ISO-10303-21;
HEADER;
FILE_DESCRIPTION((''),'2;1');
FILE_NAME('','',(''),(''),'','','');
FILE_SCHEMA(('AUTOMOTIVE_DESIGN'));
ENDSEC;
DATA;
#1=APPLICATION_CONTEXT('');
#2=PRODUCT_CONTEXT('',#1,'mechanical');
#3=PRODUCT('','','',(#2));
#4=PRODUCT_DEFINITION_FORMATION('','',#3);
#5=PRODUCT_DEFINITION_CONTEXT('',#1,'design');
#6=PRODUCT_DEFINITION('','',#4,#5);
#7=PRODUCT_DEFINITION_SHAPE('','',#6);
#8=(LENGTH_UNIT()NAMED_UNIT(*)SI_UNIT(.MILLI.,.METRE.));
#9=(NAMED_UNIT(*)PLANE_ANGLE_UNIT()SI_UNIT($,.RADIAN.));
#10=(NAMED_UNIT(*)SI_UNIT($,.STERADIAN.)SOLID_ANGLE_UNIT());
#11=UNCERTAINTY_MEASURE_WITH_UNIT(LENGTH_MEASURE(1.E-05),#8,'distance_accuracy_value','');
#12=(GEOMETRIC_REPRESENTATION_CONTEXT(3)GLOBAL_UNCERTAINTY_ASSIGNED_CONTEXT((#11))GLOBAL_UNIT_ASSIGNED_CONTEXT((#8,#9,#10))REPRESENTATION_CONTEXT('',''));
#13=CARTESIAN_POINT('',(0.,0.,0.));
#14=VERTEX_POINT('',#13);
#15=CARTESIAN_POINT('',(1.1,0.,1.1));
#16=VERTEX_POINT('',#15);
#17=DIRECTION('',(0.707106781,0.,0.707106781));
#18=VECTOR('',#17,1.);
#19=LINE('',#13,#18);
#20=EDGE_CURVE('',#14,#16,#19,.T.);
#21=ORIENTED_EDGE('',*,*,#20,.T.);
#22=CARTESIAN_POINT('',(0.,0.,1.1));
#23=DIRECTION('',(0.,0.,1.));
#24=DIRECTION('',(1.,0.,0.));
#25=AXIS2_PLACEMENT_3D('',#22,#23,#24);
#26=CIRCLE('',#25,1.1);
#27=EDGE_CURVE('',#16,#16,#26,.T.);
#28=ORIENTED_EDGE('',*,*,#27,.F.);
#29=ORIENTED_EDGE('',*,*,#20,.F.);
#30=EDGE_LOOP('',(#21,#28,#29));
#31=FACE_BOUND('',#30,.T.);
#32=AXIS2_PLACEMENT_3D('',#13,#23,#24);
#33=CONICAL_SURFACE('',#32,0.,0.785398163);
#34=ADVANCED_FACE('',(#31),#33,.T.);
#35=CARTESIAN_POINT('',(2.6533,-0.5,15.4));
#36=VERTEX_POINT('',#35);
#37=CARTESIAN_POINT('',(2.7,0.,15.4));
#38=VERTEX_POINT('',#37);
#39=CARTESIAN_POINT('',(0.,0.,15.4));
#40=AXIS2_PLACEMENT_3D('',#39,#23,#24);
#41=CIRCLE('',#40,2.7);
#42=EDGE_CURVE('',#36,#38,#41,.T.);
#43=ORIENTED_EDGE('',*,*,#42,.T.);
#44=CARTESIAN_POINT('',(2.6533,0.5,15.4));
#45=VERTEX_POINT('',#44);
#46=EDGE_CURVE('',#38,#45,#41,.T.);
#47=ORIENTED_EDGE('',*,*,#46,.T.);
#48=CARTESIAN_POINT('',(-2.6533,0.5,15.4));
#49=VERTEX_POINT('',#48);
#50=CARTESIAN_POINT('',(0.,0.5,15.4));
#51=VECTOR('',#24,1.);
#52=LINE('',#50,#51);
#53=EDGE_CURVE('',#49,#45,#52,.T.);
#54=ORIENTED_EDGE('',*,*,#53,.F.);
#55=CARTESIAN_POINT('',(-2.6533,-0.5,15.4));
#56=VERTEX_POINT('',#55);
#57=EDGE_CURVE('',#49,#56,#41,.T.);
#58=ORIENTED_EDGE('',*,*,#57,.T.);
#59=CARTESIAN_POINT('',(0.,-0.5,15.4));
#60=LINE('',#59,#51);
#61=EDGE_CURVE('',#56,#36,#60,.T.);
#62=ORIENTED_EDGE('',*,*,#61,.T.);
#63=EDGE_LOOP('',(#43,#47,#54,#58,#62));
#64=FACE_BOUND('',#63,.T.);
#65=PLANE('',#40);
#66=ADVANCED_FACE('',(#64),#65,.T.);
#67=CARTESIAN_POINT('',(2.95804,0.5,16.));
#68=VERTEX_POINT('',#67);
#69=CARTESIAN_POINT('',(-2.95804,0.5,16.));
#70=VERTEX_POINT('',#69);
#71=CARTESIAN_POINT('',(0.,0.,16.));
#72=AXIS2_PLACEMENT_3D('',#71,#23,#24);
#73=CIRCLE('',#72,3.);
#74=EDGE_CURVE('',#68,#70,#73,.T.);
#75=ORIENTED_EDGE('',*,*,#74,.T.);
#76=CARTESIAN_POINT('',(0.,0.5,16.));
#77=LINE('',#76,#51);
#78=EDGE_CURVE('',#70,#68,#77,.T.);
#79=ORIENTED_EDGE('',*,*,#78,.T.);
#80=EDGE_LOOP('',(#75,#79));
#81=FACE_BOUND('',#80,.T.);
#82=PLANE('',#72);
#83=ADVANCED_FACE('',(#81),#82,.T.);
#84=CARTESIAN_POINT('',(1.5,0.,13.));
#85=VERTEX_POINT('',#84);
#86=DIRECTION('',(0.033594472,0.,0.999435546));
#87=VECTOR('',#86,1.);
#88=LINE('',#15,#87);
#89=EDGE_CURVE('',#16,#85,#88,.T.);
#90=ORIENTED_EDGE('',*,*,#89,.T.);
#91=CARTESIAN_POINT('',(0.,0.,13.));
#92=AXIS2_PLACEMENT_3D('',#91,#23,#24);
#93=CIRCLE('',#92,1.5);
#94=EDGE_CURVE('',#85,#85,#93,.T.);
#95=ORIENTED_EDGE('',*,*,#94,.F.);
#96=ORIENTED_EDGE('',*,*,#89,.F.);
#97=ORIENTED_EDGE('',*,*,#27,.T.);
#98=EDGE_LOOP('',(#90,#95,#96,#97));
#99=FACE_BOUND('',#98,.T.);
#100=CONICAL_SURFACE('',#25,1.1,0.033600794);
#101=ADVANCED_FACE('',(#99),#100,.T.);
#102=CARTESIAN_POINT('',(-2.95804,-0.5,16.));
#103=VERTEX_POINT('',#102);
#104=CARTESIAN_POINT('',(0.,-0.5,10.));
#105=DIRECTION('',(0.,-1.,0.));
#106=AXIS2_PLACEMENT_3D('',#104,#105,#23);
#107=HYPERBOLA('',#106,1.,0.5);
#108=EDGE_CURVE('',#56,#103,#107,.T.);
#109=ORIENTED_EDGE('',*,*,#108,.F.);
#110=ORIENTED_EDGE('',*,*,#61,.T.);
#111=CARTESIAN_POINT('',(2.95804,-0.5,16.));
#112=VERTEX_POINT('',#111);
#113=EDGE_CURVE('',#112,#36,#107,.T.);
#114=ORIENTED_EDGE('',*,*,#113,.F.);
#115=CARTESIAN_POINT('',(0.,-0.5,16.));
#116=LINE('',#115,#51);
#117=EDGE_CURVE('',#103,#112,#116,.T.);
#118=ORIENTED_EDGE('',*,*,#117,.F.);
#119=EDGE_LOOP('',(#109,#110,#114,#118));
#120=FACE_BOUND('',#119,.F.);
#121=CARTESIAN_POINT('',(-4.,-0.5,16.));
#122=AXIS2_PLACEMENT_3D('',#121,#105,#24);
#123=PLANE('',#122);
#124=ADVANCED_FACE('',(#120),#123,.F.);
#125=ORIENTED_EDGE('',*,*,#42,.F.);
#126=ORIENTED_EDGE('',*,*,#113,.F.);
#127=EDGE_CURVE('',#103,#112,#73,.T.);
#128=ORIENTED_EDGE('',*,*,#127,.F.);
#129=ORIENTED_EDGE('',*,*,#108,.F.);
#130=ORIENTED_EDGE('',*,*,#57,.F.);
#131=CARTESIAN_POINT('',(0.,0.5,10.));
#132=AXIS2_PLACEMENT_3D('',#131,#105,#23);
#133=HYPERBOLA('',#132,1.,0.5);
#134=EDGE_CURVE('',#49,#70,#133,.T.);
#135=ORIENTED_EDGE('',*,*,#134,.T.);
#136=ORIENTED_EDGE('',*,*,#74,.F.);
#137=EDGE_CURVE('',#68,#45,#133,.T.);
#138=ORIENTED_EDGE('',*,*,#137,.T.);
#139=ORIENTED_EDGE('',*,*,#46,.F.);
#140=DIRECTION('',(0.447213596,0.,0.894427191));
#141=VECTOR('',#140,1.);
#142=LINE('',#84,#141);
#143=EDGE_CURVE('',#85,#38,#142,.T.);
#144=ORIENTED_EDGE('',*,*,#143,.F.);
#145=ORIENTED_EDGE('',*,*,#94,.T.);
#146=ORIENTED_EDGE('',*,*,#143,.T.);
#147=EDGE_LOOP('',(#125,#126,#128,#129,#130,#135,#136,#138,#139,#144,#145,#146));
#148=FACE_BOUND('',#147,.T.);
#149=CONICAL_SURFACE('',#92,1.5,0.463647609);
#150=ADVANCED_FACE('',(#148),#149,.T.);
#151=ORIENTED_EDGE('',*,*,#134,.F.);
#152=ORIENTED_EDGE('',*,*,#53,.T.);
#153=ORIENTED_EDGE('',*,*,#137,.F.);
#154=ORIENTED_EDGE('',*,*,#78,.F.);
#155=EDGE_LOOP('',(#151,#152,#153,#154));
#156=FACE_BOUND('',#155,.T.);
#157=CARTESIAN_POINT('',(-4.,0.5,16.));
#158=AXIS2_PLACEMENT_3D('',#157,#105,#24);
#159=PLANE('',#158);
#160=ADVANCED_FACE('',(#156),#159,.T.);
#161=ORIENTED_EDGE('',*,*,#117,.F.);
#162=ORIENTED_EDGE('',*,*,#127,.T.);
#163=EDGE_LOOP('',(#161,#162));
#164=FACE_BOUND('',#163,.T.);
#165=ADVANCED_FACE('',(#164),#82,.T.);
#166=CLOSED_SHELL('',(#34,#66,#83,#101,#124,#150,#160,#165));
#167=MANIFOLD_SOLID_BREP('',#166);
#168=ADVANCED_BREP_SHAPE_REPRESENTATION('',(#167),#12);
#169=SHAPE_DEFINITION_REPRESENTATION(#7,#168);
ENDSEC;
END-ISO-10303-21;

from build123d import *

# Parameters (mm, degrees)
F3_W     = 8
F3_H     = 1
F4_DEPTH = 0.6


with BuildPart() as f1:
    # F0 (on Front) → F1 (revolve)
    with BuildSketch(Plane.XZ):
        Polygon((0, 16), (0, 0), (1.1, 1.1), (1.5, 13), (3, 16), align=None)
    revolve(axis=Axis((0, 0, 8), (0, 0, 1)))

    # F3 (on offset) → F4 (cut)
    with BuildSketch(Plane.XY.offset(16)):
        Rectangle(F3_W, F3_H)
    extrude(amount=-F4_DEPTH, mode=Mode.SUBTRACT)


solid = f1.part
